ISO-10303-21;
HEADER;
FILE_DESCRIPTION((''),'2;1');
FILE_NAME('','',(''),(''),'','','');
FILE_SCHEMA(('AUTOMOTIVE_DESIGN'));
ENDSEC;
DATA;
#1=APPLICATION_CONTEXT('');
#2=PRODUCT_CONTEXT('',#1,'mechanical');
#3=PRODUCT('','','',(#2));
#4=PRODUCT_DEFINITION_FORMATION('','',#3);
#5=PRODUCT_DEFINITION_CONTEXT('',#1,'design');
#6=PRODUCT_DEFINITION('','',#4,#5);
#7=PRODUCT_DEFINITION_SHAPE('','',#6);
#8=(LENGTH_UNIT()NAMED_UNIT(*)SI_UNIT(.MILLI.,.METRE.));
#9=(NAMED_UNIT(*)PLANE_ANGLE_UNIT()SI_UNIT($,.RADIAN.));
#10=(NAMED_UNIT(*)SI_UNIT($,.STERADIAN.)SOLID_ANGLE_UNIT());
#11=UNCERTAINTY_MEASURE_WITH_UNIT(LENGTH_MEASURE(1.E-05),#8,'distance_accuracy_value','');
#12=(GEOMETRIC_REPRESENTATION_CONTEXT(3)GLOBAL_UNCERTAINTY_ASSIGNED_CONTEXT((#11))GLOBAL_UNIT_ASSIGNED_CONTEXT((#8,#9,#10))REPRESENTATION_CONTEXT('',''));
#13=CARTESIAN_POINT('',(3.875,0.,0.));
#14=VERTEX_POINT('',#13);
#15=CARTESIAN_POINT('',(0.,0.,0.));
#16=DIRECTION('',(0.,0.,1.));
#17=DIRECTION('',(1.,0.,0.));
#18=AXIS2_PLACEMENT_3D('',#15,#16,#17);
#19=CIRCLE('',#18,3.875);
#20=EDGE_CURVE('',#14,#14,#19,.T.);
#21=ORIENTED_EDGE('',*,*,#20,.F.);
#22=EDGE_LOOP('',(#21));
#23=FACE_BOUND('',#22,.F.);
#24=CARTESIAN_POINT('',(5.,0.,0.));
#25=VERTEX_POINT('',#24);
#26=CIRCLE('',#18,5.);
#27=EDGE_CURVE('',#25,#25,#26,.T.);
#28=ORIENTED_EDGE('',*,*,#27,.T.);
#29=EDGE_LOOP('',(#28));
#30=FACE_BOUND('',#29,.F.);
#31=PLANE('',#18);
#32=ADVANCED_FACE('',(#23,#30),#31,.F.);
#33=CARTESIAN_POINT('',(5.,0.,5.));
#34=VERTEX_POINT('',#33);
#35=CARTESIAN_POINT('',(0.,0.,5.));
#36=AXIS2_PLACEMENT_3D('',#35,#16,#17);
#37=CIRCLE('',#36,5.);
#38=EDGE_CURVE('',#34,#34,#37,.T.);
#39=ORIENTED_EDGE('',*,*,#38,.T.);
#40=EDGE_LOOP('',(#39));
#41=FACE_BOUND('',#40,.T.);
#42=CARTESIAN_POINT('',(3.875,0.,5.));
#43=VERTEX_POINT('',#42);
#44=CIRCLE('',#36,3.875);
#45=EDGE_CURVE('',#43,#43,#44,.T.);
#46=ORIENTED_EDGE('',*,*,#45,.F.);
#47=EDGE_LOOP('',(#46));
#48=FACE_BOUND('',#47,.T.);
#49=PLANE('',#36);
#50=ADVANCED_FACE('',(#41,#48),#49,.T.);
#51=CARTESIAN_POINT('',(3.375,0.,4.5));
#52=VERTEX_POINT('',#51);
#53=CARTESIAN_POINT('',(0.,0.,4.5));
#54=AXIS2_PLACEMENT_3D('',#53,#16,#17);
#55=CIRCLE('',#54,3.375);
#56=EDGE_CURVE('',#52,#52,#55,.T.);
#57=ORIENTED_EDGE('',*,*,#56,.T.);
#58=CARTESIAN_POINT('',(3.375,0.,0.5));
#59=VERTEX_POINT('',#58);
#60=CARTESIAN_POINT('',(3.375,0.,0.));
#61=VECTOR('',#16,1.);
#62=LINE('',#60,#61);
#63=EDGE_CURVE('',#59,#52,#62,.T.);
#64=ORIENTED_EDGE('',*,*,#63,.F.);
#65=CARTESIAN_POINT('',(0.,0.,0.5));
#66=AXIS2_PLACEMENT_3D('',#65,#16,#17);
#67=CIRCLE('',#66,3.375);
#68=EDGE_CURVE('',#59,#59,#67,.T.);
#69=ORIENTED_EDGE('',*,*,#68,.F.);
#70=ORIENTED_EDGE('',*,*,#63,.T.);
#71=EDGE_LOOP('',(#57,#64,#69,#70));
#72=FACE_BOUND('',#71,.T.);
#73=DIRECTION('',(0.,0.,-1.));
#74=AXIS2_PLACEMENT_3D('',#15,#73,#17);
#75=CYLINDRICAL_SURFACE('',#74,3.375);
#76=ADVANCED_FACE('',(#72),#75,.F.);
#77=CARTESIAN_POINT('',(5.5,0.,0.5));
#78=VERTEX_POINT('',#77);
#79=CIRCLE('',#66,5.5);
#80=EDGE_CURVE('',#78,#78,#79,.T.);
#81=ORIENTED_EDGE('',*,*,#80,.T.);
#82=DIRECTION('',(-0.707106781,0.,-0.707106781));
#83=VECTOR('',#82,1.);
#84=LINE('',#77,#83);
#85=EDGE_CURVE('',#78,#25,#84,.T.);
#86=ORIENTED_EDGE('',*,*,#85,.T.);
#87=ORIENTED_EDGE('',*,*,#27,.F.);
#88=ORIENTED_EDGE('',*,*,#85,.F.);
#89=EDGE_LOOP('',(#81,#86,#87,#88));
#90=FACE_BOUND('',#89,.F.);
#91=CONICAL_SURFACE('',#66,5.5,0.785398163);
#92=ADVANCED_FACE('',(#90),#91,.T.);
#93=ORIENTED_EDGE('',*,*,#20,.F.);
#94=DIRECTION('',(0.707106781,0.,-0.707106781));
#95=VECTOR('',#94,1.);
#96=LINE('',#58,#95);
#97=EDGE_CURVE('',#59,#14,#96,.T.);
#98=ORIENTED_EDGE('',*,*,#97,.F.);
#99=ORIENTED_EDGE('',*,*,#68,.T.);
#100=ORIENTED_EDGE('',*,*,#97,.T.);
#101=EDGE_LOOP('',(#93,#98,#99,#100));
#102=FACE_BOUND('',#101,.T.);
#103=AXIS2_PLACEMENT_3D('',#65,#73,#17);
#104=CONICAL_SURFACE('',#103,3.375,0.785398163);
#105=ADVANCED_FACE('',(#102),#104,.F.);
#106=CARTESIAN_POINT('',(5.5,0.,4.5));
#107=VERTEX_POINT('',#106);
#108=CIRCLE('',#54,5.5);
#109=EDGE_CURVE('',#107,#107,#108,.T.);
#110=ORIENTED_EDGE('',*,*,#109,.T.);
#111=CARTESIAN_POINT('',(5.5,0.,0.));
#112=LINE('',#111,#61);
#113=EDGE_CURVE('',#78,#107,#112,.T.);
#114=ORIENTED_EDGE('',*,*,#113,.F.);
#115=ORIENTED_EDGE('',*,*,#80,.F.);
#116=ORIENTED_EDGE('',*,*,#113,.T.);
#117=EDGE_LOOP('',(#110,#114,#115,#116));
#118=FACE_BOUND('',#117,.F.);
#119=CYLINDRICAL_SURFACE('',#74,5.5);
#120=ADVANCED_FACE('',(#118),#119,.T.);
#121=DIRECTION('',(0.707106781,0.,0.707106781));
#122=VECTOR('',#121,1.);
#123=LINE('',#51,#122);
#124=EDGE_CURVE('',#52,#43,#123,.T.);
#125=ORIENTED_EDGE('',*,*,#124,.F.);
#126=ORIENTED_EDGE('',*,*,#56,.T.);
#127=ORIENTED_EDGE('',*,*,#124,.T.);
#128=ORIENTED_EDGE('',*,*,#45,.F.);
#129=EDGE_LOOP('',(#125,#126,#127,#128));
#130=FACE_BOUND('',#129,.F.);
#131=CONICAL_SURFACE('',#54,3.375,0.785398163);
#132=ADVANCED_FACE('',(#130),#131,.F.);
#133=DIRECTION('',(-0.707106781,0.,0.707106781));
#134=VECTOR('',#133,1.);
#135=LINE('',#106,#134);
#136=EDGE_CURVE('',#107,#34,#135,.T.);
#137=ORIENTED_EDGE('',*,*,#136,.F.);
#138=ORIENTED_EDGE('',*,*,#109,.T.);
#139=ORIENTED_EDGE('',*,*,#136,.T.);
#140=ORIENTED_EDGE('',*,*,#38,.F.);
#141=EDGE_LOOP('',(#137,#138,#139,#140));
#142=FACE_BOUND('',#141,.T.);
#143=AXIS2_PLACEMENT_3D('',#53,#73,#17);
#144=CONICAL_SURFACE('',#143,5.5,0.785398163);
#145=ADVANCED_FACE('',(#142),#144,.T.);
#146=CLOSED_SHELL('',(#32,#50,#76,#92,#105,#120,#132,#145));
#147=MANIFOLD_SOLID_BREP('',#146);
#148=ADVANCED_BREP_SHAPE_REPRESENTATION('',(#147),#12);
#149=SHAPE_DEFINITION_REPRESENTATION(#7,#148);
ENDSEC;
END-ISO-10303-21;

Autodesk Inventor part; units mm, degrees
ref_plane "YZ Plane" through (0, 0, 0) normal (1, 0, 0) x (0, 1, 0)
ref_plane "XZ Plane" through (0, 0, 0) normal (0, 1, 0) x (-1, 0, 0)
ref_plane "XY Plane" through (0, 0, 0) normal (0, 0, 1) x (1, 0, 0)
sketch "Esquisse1" plane through (0, 0, 0) normal (0, 0, 1) x (1, 0, 0)
  circle A0 centre (0, 0) radius 3.375
  circle A1 centre (0, 0) radius 5.5
  dimension "d0" = 6.75
  dimension "d1" = 11
extrude "Extrusion1" add sketch "Esquisse1" along normal blind 5
chamfer "Chanfrein1" distance 0.5 angle 45 4 edges at (-5.5, 0, 0) (-3.375, 0, 0) (-5.5, 0, 5) (-3.375, 0, 5)
properties part number "Entretoise" material "Plastique ABS"
